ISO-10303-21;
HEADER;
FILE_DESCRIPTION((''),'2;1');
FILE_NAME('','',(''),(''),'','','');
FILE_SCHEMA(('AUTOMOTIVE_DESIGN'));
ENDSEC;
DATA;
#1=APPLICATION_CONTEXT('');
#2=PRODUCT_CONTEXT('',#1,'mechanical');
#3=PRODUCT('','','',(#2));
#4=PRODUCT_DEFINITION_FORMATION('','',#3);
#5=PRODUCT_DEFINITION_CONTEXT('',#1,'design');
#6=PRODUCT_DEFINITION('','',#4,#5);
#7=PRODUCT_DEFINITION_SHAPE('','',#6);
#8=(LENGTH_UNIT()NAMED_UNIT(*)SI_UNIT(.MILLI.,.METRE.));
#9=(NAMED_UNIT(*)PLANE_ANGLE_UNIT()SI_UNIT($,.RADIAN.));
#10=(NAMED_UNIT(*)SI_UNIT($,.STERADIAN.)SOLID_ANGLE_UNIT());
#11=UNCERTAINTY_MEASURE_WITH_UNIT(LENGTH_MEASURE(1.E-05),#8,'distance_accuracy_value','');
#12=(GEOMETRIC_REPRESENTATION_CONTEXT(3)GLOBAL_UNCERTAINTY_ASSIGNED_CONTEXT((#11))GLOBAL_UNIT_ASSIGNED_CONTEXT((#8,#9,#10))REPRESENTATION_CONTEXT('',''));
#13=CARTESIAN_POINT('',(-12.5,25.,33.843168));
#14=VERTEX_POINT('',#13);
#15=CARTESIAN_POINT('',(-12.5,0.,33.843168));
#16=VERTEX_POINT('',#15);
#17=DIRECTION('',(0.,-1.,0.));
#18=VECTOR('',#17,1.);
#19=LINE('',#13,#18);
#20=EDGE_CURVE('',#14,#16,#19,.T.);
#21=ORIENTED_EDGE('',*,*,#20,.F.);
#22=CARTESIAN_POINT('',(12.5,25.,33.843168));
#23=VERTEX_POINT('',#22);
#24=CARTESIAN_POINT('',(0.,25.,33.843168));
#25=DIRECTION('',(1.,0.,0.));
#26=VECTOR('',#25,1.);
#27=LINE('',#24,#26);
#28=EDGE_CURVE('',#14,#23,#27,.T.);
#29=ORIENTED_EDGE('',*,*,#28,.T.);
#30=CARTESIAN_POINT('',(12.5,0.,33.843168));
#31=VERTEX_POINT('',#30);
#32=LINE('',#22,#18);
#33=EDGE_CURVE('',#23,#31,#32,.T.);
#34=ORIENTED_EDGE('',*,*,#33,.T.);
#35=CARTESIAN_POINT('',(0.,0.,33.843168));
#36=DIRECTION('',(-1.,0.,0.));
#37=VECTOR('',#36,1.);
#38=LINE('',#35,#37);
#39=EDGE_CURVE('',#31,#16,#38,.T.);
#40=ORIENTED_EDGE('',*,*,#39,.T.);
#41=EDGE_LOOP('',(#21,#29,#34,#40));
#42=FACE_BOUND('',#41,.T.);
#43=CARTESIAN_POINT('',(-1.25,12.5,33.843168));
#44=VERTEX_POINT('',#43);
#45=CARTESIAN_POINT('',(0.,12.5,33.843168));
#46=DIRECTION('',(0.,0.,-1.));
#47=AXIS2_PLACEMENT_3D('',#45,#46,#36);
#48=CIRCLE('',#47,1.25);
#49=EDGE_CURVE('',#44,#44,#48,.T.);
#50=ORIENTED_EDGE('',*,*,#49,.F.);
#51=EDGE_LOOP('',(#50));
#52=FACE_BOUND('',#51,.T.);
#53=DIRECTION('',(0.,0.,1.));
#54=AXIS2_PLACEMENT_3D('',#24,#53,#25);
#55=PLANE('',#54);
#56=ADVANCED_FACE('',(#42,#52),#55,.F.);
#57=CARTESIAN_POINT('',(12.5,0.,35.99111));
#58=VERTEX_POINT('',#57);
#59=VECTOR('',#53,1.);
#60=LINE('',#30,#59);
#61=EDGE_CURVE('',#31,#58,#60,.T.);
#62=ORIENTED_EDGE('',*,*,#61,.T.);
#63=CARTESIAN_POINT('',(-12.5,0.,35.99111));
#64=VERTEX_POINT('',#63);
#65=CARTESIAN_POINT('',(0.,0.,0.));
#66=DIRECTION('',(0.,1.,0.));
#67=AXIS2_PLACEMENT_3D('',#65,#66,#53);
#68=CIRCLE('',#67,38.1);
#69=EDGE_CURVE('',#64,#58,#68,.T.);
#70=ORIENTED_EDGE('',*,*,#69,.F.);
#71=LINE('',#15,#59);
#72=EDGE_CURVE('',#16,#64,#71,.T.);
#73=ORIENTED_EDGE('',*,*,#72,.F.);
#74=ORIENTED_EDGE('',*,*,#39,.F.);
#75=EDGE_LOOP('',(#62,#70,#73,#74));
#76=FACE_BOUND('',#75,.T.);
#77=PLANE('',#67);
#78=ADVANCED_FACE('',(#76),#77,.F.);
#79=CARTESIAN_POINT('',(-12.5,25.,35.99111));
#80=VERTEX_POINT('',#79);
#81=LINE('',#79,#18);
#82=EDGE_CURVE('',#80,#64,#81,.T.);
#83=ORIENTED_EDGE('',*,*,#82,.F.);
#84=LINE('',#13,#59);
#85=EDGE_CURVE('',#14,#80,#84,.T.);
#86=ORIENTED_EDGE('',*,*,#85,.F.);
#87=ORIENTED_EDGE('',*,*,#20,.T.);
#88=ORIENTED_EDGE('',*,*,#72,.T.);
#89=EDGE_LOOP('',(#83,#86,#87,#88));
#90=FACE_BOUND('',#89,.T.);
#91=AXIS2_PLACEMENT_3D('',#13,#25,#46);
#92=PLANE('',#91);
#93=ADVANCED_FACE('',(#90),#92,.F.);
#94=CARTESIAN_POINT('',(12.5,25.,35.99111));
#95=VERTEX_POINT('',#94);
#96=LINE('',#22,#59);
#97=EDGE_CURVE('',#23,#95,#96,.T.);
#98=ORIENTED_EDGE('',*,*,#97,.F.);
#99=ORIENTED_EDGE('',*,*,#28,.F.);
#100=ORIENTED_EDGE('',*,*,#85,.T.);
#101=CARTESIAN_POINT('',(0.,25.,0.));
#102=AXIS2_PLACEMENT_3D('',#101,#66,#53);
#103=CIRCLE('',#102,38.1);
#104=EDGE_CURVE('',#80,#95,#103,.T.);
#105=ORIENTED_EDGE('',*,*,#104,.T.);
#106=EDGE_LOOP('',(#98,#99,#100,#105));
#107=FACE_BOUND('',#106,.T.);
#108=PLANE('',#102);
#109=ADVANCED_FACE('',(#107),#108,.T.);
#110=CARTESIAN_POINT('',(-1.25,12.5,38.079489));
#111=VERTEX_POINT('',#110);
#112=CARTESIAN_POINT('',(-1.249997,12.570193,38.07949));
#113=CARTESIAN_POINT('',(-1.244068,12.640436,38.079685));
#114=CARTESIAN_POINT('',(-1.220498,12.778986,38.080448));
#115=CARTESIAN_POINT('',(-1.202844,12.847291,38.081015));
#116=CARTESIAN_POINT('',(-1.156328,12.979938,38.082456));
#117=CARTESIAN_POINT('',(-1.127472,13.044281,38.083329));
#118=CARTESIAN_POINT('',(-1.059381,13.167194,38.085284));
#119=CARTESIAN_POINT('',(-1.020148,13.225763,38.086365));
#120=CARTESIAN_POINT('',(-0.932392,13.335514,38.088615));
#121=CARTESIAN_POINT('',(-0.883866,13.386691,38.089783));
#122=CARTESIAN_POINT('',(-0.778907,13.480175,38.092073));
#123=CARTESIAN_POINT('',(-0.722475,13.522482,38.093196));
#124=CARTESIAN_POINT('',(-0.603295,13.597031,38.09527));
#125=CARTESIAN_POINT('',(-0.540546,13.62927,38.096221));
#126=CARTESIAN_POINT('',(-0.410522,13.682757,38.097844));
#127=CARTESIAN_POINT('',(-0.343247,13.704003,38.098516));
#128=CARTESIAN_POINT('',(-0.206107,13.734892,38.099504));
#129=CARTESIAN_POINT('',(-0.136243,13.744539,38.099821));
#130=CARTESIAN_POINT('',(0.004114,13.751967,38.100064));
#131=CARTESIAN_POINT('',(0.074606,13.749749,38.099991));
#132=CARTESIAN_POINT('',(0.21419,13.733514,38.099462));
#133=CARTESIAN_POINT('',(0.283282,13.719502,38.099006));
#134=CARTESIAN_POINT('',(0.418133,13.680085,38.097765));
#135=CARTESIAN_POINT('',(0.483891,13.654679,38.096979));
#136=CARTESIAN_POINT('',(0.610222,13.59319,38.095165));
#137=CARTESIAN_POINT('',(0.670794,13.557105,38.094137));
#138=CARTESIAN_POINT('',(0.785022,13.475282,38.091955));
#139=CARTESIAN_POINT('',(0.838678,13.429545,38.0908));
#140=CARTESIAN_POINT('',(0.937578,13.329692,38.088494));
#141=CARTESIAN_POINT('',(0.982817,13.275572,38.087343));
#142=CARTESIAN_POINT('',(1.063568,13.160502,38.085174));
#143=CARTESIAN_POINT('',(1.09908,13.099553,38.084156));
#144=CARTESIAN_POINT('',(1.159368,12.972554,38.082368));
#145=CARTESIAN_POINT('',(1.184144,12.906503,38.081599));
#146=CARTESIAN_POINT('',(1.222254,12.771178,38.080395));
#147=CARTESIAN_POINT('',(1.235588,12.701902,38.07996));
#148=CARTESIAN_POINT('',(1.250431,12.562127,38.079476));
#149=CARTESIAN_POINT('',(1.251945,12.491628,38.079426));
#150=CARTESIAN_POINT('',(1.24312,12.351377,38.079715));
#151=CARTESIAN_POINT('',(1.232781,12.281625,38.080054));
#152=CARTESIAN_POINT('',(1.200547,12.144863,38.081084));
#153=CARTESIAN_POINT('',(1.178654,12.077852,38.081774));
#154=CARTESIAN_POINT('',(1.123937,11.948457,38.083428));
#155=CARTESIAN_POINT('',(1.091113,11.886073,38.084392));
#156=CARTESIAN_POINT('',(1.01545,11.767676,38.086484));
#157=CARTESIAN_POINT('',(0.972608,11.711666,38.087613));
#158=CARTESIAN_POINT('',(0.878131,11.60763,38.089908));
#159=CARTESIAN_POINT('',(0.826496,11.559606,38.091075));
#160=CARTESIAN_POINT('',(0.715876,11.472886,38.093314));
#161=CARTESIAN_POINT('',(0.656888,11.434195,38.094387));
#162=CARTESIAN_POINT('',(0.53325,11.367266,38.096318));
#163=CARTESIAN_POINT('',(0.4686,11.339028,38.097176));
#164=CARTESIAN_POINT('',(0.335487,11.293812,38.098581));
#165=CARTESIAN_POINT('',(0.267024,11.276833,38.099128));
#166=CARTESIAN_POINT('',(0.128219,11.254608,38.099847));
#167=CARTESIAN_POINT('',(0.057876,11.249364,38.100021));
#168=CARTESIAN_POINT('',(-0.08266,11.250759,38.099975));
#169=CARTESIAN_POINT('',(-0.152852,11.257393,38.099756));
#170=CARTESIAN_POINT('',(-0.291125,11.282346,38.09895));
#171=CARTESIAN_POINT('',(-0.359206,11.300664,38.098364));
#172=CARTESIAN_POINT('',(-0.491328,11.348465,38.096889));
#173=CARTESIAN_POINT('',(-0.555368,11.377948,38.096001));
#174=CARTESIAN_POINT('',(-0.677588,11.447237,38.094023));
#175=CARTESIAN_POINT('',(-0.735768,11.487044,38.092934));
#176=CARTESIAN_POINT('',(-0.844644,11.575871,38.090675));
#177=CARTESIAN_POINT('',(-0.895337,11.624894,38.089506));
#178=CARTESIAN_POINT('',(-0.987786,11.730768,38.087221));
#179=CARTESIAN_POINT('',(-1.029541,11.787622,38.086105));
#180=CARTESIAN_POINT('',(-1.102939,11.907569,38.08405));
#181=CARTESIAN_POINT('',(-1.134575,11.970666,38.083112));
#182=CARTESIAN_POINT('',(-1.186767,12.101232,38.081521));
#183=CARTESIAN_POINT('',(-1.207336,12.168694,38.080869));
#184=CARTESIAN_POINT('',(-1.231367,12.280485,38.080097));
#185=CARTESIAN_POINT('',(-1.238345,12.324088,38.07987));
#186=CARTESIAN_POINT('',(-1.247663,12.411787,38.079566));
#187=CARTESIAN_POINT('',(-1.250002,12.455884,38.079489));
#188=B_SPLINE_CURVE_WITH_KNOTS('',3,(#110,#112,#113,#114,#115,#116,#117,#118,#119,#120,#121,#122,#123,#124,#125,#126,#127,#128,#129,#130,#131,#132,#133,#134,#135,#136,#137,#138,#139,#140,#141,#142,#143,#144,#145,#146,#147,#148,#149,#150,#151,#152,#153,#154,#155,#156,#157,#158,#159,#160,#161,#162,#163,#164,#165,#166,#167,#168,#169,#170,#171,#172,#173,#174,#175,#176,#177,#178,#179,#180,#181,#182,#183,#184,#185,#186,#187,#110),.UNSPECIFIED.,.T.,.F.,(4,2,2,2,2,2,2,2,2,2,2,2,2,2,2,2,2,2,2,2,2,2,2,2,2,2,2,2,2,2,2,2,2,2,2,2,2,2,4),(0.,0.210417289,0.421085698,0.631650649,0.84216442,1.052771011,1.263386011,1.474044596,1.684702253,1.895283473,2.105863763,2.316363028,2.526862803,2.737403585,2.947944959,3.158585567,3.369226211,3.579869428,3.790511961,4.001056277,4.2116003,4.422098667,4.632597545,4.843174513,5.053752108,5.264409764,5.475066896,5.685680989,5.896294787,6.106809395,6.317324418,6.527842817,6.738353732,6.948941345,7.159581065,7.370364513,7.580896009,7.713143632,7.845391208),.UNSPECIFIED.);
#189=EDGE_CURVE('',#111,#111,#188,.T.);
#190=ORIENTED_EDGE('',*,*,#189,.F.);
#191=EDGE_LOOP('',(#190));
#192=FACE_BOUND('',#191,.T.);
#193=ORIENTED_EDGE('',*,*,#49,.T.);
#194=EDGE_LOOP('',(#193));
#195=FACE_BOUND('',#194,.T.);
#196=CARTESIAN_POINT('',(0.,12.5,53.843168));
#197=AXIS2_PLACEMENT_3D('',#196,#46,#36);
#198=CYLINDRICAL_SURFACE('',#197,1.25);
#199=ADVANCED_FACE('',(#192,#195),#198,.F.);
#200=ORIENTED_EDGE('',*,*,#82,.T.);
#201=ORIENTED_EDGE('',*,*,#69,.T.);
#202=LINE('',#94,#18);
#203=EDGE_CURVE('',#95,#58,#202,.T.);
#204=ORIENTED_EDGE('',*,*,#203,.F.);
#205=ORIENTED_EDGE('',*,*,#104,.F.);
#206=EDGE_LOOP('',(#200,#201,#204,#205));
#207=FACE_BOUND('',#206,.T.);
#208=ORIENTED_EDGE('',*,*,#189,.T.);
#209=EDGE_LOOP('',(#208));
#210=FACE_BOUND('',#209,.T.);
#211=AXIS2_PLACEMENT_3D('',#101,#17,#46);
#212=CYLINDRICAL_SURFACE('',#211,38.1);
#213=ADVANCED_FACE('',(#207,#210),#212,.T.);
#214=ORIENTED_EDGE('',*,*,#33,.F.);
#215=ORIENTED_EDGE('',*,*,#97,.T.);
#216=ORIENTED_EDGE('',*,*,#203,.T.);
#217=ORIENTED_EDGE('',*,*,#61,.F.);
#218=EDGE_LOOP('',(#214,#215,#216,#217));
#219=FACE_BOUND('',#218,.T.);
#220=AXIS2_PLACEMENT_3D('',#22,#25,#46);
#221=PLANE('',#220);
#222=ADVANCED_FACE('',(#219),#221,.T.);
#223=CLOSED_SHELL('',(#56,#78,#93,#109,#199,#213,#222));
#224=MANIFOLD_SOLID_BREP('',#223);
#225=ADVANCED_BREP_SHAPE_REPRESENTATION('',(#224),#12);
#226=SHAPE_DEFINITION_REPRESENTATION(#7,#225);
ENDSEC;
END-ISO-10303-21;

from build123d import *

# Parameters (mm, degrees)
BOSS_EXTRUDE1_DEPTH = 25
SKETCH3_R           = 1.25
CUT_EXTRUDE1_DEPTH  = 20


with BuildPart() as part:
    # Sketch2 → Boss-Extrude1 (new body)
    with BuildSketch(Plane(origin=(0, 0, 0), x_dir=(1, 0, 0), z_dir=(0, 1, 0))):
        with BuildLine():
            Line((0, -33.8431677), (-12.5, -33.8431677))
            Line((-12.5, -33.8431677), (-12.5, -35.991110013))
            ThreePointArc((-12.5, -35.991110013), (0, -38.1), (12.5, -35.991110013))
            Line((12.5, -35.991110013), (12.5, -33.8431677))
            Line((12.5, -33.8431677), (0, -33.8431677))
        make_face()
    extrude(amount=BOSS_EXTRUDE1_DEPTH)

    # Sketch3 → Cut-Extrude1 (cut)
    with BuildSketch(Plane(origin=(0, 0, 33.8431677), x_dir=(-1, 0, 0), z_dir=(0, 0, -1))):
        with Locations((0, 12.5)):
            Circle(SKETCH3_R)
    extrude(amount=-CUT_EXTRUDE1_DEPTH, mode=Mode.SUBTRACT)


solid = part.part
